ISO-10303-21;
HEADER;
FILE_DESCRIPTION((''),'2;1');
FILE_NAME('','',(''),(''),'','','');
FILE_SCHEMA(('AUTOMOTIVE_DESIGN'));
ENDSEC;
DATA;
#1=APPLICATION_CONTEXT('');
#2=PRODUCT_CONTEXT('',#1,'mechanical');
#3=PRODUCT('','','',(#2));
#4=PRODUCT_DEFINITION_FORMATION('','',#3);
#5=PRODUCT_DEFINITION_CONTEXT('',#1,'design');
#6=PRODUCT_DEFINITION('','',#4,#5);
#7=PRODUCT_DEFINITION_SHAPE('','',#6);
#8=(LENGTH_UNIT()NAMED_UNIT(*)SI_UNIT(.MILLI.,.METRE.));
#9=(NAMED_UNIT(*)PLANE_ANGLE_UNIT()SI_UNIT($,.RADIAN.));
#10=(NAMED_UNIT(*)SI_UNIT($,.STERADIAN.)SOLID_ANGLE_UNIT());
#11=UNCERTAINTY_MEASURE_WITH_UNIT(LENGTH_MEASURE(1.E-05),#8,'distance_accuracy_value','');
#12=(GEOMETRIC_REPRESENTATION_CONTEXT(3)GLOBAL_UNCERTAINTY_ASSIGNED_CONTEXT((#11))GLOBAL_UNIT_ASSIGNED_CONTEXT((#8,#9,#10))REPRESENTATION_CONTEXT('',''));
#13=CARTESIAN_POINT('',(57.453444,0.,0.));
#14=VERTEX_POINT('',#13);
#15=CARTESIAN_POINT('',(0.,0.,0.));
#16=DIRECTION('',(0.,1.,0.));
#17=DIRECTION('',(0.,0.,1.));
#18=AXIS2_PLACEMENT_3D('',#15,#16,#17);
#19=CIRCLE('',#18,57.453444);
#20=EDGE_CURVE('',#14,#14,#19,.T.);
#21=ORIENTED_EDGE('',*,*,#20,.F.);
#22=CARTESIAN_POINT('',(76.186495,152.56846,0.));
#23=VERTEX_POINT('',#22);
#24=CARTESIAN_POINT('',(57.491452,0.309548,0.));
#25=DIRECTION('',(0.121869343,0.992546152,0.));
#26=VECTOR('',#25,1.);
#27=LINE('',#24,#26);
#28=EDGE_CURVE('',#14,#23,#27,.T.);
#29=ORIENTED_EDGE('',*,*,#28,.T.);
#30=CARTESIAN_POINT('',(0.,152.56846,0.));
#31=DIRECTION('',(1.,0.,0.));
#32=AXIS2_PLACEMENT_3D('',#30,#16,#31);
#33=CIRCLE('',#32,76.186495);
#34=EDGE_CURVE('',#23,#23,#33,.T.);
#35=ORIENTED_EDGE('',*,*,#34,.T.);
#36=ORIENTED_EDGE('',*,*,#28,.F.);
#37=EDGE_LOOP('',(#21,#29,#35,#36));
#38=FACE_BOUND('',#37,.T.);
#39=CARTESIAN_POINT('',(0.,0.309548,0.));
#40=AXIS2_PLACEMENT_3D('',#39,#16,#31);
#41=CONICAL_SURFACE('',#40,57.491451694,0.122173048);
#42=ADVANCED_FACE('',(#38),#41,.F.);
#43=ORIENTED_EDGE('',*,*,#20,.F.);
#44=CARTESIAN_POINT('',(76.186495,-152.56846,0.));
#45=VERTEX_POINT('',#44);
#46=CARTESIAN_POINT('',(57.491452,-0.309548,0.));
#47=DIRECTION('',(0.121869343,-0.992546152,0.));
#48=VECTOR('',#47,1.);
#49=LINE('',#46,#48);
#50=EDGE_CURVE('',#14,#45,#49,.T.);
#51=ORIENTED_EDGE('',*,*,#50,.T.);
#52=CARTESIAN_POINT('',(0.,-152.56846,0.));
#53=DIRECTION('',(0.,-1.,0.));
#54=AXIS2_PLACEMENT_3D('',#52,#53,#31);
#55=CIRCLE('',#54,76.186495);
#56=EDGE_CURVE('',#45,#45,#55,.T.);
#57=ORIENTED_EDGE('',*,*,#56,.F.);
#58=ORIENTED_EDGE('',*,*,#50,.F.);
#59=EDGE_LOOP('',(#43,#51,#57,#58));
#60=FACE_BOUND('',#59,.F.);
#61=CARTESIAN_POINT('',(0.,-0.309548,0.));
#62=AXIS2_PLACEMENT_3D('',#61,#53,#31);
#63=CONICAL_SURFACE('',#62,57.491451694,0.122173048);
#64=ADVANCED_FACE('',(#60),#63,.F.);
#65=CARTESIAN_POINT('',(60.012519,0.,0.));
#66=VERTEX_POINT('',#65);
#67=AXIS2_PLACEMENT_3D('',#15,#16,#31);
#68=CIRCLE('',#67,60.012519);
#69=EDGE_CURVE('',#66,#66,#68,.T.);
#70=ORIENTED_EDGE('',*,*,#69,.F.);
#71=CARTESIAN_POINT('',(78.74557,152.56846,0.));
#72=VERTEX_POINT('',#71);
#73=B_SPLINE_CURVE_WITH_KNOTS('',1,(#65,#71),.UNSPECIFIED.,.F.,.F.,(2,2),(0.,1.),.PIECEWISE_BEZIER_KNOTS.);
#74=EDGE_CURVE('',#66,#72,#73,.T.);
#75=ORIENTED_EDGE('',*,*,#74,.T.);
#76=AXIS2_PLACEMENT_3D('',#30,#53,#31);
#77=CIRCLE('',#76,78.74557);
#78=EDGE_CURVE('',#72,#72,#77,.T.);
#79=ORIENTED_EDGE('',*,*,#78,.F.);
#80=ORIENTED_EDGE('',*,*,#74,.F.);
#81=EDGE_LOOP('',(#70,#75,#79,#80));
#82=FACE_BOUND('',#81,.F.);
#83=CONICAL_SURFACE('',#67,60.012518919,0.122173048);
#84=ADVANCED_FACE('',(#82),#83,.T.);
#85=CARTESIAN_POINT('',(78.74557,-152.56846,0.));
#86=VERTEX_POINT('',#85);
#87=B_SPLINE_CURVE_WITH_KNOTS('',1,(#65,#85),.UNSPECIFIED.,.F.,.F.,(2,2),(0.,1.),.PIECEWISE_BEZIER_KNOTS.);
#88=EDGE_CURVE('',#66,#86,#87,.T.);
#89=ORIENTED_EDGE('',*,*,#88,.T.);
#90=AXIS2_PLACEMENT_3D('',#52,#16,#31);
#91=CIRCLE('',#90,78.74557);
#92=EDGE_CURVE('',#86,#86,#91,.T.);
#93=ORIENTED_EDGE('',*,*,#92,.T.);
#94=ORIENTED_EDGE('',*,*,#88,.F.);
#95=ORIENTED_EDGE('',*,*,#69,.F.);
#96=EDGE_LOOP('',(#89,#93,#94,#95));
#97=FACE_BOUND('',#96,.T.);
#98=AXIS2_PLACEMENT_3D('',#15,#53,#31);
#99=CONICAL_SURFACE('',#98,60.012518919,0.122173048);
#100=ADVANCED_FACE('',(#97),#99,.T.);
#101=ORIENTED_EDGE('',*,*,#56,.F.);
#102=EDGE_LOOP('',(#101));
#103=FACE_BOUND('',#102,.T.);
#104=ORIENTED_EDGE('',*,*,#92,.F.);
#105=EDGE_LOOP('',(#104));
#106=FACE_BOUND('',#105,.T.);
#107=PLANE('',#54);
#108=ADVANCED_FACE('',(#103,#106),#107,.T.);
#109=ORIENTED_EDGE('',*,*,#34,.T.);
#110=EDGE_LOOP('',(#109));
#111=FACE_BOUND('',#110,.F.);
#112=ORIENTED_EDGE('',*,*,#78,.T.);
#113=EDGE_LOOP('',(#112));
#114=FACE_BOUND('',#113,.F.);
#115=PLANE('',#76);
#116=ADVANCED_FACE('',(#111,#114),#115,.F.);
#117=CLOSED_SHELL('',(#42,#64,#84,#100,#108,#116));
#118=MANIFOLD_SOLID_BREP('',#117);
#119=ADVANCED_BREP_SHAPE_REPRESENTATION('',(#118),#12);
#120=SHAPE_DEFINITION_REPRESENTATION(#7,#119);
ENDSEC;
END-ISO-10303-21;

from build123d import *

# Parameters (mm, degrees)
F0_R     = 60.0125189193
F1_DEPTH = 152.5684595108
F1_TAPER = -7
F2_T     = -2.54


with BuildPart() as f1:
    # F0 (on Front) → F1 (new body, symmetric)
    with BuildSketch(Plane.XZ):
        Circle(F0_R)
    extrude(amount=F1_DEPTH, both=True, taper=F1_TAPER)

    # F2
    f2_openings = [f1.faces().sort_by_distance(p)[0] for p in [
        (0, 152.56846, 0),
        (0, -152.56846, 0),
    ]]
    offset(amount=F2_T, openings=f2_openings, kind=Kind.INTERSECTION)


solid = f1.part
